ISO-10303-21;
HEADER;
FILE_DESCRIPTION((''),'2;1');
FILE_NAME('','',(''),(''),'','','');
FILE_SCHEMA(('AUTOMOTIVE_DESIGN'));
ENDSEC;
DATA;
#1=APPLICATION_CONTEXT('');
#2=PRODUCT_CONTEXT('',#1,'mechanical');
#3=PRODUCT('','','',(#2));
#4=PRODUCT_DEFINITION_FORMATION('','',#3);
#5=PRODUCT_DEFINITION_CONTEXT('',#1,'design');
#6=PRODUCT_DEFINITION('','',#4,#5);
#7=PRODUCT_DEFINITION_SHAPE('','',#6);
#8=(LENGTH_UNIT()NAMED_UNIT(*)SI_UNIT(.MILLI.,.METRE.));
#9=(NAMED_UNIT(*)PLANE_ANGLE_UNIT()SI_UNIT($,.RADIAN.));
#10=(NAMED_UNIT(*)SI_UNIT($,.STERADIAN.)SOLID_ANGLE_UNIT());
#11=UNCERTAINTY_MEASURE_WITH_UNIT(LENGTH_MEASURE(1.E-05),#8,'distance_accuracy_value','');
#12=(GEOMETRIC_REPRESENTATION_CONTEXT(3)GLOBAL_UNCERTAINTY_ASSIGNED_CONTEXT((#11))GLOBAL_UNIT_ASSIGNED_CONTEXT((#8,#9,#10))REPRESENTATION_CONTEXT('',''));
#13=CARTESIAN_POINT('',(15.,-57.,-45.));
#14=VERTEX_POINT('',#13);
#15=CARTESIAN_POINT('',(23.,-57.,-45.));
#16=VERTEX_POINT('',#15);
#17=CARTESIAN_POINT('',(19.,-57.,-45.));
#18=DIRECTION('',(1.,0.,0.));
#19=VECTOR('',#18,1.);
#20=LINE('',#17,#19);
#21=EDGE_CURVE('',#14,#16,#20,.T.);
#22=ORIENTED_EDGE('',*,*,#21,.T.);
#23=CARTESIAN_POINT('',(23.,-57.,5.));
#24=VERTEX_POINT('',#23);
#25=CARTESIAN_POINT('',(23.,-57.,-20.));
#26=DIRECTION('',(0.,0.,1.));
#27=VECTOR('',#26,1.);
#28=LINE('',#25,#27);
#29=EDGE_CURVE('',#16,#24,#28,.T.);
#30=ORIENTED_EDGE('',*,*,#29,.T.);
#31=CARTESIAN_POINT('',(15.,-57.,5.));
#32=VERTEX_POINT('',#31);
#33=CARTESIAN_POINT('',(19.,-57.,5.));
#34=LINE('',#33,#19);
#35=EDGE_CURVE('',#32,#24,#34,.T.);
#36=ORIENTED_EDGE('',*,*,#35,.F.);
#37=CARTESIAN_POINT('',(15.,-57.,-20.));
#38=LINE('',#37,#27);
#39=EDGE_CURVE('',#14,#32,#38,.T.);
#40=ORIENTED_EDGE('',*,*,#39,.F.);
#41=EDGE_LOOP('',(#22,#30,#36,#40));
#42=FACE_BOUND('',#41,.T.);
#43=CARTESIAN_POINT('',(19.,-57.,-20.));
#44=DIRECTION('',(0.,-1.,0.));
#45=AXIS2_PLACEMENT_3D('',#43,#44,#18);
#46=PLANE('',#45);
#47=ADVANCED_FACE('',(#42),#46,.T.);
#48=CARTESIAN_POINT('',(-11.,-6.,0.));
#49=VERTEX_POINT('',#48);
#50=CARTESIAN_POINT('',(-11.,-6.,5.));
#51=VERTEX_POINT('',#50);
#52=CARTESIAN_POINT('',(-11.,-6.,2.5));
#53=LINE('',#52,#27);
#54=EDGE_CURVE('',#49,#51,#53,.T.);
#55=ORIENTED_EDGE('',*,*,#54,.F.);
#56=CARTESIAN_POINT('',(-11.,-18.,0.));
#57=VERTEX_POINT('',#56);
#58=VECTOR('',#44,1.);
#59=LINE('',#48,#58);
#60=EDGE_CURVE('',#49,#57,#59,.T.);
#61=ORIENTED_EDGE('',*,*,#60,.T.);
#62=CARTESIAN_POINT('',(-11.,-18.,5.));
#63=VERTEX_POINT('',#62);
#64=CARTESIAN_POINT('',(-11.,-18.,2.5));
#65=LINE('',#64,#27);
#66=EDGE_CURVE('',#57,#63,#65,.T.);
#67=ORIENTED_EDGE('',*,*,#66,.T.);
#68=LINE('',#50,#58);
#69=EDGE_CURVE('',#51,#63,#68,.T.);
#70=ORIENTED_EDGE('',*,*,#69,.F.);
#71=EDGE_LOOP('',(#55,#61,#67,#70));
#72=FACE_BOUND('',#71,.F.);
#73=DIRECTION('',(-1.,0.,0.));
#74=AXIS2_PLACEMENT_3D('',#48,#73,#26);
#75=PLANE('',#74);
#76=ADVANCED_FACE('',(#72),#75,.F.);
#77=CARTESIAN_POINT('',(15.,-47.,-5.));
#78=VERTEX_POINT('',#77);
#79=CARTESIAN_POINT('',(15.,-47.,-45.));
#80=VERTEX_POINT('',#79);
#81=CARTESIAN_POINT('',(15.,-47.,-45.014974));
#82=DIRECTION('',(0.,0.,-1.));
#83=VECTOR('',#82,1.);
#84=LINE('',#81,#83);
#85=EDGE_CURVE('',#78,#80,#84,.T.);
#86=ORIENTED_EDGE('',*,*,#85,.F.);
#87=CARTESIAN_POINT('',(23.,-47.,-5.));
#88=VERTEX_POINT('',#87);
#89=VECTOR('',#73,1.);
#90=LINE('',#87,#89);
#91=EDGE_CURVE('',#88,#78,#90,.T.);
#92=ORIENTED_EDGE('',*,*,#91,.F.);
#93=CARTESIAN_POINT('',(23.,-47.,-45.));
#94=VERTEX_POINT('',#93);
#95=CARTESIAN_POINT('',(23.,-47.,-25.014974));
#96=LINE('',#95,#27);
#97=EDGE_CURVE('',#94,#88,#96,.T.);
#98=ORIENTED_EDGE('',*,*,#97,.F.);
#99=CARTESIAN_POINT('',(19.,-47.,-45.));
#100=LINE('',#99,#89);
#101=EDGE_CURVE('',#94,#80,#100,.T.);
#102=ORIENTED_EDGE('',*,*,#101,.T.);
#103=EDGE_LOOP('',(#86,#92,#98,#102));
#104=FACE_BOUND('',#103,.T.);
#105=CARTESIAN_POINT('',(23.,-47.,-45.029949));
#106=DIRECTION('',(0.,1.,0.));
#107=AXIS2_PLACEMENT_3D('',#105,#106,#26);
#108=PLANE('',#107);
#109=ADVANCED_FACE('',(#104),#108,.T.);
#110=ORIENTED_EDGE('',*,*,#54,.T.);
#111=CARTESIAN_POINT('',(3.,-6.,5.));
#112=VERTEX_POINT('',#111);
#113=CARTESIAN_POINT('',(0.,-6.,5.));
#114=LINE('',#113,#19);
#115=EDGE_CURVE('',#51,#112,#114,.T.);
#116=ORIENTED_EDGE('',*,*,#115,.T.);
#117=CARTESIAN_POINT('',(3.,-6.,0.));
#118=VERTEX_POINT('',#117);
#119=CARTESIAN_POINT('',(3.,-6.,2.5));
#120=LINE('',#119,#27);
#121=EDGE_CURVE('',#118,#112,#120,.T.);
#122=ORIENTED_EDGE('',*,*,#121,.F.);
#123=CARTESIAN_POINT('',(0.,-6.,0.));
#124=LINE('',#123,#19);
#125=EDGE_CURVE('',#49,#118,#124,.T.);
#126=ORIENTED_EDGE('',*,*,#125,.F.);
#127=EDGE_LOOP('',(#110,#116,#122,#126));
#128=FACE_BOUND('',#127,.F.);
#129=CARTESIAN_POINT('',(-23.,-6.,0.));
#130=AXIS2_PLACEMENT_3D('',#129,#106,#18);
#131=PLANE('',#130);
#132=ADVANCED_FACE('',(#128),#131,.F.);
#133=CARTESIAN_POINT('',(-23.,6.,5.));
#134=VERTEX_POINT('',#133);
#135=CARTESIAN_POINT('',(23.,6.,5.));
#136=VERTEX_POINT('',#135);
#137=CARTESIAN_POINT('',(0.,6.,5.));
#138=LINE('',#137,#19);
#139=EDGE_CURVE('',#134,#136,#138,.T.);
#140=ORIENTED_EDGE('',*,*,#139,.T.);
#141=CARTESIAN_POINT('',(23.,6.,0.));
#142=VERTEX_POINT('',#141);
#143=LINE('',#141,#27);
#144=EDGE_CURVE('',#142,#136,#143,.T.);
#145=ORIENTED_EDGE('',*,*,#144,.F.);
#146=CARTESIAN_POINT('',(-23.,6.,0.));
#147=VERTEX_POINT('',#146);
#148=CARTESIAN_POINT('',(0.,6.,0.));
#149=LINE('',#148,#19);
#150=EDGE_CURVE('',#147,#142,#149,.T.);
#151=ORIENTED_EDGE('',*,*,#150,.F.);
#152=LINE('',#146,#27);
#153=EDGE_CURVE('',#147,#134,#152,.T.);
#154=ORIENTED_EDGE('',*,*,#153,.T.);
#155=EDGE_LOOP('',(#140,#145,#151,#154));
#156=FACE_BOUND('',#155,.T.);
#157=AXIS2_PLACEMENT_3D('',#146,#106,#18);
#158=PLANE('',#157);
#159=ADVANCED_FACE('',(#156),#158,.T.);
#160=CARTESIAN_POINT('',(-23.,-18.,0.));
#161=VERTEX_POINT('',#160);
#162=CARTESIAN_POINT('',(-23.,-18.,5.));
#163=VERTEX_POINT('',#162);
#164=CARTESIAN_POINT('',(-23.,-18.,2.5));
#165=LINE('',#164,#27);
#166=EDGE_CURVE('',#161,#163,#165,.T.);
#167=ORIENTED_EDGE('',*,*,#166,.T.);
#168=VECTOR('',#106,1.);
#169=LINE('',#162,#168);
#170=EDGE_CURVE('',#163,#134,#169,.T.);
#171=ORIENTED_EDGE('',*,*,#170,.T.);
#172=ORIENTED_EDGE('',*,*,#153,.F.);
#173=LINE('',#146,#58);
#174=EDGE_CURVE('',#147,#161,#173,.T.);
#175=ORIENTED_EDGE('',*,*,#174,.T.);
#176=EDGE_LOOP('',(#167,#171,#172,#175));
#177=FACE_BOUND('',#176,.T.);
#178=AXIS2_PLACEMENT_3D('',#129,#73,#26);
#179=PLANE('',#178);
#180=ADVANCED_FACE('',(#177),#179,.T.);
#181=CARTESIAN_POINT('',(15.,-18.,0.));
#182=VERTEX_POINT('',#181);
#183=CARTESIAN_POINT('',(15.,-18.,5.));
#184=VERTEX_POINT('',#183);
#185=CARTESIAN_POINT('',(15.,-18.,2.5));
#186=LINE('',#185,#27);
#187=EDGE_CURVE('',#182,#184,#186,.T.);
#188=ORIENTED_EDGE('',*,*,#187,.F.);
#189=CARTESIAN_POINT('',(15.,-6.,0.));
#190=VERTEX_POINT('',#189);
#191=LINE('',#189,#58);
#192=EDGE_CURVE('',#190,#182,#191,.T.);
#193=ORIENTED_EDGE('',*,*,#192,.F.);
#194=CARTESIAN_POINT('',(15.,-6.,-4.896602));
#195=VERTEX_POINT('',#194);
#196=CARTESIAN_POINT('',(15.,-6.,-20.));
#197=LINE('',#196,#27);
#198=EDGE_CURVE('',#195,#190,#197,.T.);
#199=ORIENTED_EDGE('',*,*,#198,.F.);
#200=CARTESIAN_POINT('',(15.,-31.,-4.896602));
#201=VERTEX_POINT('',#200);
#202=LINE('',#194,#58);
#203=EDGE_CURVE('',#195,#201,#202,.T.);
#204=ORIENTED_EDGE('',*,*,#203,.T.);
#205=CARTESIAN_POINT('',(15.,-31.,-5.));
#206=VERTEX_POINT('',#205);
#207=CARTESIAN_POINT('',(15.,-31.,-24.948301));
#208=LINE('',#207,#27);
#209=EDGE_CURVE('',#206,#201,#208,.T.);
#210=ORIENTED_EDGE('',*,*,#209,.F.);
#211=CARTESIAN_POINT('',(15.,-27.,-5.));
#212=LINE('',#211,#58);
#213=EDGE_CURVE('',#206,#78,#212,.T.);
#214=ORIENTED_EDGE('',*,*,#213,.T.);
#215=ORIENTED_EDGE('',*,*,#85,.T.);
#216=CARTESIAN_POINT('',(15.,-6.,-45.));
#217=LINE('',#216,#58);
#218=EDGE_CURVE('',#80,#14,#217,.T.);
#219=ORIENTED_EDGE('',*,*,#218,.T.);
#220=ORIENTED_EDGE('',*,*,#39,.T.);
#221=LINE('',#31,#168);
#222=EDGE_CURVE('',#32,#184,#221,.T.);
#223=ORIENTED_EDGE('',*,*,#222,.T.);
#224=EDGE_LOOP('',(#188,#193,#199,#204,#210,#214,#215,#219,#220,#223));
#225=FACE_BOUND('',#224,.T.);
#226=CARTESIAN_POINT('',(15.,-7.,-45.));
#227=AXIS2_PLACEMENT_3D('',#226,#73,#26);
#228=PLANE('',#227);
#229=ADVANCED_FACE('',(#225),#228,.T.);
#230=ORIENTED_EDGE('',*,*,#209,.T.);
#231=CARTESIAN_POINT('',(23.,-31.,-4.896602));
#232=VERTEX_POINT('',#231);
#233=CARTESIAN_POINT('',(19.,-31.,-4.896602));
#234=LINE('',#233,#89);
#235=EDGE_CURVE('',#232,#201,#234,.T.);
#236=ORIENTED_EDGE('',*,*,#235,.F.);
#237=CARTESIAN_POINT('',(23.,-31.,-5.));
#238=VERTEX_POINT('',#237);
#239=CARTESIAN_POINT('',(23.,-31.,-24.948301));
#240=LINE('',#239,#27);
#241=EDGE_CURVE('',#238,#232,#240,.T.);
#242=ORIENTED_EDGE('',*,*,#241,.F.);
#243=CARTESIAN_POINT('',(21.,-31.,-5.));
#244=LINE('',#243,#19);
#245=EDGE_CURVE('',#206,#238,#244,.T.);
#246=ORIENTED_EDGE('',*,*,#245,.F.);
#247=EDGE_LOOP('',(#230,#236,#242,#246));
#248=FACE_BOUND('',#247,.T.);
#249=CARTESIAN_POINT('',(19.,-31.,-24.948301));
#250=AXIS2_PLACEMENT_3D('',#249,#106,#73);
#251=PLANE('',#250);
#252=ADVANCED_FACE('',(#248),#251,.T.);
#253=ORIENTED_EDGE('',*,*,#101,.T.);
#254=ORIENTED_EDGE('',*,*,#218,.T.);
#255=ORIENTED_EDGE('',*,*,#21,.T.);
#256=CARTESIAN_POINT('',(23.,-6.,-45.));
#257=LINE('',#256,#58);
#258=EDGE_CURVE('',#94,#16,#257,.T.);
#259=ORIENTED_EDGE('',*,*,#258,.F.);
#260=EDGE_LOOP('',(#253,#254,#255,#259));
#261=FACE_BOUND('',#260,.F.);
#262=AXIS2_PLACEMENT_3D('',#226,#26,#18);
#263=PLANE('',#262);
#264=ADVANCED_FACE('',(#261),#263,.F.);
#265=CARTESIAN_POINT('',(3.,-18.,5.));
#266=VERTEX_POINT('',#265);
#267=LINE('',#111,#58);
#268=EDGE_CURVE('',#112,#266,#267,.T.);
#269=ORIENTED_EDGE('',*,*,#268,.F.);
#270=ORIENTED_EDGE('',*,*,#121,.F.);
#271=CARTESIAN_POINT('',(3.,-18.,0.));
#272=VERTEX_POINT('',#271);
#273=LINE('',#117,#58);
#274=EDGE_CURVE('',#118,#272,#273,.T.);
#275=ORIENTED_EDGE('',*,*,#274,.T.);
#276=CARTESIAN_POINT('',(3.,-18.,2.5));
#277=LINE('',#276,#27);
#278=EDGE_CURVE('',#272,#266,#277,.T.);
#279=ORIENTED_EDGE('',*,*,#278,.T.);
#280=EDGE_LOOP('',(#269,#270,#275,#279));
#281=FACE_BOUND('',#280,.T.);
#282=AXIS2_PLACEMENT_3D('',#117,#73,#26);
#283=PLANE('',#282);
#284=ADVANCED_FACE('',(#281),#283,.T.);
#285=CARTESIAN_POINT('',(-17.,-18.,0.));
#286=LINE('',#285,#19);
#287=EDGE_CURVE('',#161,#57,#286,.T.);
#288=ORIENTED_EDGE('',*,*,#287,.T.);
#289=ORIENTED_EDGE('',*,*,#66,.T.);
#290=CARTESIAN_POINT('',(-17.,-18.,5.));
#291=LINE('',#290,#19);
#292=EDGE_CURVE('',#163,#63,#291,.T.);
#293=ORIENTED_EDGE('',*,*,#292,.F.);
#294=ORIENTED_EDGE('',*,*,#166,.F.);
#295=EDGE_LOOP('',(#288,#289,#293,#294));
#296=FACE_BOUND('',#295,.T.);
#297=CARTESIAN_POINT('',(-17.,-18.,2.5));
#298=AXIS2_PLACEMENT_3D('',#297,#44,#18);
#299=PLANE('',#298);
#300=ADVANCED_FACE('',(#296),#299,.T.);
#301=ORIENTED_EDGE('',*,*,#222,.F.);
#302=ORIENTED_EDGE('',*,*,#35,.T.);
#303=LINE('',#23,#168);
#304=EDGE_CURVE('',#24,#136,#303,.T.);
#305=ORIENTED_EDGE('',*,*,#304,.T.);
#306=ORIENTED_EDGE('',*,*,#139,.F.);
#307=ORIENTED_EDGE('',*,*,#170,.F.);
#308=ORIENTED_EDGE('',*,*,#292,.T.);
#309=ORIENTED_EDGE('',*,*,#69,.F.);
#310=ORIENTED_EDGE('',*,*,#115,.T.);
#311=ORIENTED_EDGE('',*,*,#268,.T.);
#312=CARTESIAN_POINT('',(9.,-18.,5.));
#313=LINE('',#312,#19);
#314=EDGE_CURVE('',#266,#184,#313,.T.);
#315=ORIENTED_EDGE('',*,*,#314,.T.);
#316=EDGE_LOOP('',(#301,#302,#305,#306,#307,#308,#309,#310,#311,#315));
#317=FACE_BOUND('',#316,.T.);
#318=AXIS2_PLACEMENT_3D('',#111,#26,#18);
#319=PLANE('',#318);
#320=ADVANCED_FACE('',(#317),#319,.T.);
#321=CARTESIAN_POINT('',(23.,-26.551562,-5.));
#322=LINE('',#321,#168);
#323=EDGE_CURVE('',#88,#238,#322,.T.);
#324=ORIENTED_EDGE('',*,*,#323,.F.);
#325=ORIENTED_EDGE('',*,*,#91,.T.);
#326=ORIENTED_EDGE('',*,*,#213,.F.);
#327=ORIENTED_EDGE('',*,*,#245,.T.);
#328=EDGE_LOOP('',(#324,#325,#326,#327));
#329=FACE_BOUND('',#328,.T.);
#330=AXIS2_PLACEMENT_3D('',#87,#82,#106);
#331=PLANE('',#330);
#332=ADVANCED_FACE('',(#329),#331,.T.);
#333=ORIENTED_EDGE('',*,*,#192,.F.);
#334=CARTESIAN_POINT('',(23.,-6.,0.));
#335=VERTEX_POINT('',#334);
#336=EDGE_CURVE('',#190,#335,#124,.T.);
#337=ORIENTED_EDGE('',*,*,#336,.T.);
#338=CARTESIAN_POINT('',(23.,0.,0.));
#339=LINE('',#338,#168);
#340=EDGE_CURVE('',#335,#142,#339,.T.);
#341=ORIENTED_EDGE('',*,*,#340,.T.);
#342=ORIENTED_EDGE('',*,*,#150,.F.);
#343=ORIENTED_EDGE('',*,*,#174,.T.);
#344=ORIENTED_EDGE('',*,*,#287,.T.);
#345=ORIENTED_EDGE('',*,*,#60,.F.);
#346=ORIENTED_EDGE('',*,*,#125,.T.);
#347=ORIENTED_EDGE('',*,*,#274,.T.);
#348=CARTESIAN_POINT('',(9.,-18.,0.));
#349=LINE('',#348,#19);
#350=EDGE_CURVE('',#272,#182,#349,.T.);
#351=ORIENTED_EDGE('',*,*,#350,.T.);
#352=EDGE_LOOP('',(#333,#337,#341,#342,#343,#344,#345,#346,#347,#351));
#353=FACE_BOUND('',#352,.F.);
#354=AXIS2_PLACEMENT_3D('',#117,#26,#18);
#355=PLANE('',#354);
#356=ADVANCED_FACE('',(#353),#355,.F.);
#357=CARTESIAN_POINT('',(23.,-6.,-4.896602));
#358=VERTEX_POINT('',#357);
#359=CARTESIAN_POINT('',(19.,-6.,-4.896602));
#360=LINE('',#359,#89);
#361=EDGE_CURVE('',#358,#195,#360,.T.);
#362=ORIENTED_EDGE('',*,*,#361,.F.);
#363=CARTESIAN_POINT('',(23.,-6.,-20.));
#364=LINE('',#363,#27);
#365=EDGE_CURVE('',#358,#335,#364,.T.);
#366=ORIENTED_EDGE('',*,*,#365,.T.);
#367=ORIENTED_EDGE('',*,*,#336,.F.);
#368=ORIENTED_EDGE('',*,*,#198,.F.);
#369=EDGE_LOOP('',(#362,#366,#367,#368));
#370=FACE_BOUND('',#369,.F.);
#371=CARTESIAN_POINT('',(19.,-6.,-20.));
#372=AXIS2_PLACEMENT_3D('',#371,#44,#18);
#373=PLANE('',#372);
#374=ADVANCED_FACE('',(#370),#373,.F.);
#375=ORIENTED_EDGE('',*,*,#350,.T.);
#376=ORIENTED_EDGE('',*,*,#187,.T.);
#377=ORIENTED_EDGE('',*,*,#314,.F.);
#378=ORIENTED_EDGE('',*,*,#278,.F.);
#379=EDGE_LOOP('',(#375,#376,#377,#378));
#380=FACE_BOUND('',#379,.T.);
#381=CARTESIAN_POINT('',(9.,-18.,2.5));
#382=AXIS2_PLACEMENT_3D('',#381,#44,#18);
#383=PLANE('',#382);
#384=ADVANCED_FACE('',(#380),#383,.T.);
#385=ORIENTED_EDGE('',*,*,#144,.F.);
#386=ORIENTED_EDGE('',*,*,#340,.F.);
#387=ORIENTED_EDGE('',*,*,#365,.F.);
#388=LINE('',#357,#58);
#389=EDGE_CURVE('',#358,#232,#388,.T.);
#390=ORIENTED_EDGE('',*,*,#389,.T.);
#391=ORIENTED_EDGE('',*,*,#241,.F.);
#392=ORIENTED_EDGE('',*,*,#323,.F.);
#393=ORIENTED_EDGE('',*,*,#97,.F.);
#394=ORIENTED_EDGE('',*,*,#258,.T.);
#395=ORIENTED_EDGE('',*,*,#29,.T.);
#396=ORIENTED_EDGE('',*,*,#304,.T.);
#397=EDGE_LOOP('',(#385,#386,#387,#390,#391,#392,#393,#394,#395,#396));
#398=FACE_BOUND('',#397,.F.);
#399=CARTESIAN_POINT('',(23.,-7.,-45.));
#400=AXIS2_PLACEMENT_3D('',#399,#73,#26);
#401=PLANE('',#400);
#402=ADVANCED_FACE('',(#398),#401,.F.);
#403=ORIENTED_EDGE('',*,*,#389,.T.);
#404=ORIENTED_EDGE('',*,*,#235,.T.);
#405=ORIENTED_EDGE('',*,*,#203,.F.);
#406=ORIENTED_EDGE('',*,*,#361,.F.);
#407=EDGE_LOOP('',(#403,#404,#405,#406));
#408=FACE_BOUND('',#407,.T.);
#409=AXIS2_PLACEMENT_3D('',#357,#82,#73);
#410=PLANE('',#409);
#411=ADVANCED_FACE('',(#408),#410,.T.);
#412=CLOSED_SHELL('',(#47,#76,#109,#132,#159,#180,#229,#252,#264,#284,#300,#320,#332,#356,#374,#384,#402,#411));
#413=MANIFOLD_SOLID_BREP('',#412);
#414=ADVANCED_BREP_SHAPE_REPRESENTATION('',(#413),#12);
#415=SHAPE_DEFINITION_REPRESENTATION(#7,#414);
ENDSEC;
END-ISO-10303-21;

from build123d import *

# Parameters (mm, degrees)
F0_W      = 46
F0_H      = 12
F1_DEPTH  = 5
F2_W      = 8
F2_H      = 50
F3_DEPTH  = 1
F3_FACE_W = 8
F3_FACE_H = 50
F4_DEPTH  = 50
F5_W      = 12
F5_H      = 5
F6_DEPTH  = 12
F7_W      = 12
F7_H      = 5
F8_DEPTH  = 12
F11_W     = 40.896876
F11_H     = 40.029949
F12_DEPTH = 46.001
F13_W     = 8
F13_H     = 40.103398
F14_DEPTH = 25


with BuildPart() as f1:
    # F0 (on Top) → F1 (new body)
    with BuildSketch(Plane.XY):
        Rectangle(F0_W, F0_H)
    extrude(amount=F1_DEPTH)

    # F2 (on face) → F3 (join)
    with BuildSketch(Plane.XZ.offset(6)):
        with Locations((19, -20)):
            Rectangle(F2_W, F2_H)
    extrude(amount=F3_DEPTH)

    # F3_face (on face) → F4 (join)
    with BuildSketch(Plane(origin=(19, -7, -20), x_dir=(1, 0, 0), z_dir=(0, -1, 0))):
        Rectangle(F3_FACE_W, F3_FACE_H)
    extrude(amount=F4_DEPTH)

    # F5 (on face) → F6 (join)
    with BuildSketch(Plane.XZ.offset(6)):
        with Locations((-17, 2.5)):
            Rectangle(F5_W, F5_H)
    extrude(amount=F6_DEPTH)

    # F7 (on face) → F8 (join)
    with BuildSketch(Plane.XZ.offset(6)):
        with Locations((9, 2.5)):
            Rectangle(F7_W, F7_H)
    extrude(amount=F8_DEPTH)

    # F11 (on face) → F12 (cut, through all)
    with BuildSketch(Plane.YZ.offset(23)):
        with Locations((-26.551562, -25.014974)):
            Rectangle(F11_W, F11_H)
    extrude(amount=-F12_DEPTH, mode=Mode.SUBTRACT)

    # F13 (on face) → F14 (cut)
    with BuildSketch(Plane(origin=(0, -6, 0), x_dir=(-1, 0, 0), z_dir=(0, 1, 0))):
        with Locations((-19, -24.948301)):
            Rectangle(F13_W, F13_H)
    extrude(amount=-F14_DEPTH, mode=Mode.SUBTRACT)


solid = f1.part
